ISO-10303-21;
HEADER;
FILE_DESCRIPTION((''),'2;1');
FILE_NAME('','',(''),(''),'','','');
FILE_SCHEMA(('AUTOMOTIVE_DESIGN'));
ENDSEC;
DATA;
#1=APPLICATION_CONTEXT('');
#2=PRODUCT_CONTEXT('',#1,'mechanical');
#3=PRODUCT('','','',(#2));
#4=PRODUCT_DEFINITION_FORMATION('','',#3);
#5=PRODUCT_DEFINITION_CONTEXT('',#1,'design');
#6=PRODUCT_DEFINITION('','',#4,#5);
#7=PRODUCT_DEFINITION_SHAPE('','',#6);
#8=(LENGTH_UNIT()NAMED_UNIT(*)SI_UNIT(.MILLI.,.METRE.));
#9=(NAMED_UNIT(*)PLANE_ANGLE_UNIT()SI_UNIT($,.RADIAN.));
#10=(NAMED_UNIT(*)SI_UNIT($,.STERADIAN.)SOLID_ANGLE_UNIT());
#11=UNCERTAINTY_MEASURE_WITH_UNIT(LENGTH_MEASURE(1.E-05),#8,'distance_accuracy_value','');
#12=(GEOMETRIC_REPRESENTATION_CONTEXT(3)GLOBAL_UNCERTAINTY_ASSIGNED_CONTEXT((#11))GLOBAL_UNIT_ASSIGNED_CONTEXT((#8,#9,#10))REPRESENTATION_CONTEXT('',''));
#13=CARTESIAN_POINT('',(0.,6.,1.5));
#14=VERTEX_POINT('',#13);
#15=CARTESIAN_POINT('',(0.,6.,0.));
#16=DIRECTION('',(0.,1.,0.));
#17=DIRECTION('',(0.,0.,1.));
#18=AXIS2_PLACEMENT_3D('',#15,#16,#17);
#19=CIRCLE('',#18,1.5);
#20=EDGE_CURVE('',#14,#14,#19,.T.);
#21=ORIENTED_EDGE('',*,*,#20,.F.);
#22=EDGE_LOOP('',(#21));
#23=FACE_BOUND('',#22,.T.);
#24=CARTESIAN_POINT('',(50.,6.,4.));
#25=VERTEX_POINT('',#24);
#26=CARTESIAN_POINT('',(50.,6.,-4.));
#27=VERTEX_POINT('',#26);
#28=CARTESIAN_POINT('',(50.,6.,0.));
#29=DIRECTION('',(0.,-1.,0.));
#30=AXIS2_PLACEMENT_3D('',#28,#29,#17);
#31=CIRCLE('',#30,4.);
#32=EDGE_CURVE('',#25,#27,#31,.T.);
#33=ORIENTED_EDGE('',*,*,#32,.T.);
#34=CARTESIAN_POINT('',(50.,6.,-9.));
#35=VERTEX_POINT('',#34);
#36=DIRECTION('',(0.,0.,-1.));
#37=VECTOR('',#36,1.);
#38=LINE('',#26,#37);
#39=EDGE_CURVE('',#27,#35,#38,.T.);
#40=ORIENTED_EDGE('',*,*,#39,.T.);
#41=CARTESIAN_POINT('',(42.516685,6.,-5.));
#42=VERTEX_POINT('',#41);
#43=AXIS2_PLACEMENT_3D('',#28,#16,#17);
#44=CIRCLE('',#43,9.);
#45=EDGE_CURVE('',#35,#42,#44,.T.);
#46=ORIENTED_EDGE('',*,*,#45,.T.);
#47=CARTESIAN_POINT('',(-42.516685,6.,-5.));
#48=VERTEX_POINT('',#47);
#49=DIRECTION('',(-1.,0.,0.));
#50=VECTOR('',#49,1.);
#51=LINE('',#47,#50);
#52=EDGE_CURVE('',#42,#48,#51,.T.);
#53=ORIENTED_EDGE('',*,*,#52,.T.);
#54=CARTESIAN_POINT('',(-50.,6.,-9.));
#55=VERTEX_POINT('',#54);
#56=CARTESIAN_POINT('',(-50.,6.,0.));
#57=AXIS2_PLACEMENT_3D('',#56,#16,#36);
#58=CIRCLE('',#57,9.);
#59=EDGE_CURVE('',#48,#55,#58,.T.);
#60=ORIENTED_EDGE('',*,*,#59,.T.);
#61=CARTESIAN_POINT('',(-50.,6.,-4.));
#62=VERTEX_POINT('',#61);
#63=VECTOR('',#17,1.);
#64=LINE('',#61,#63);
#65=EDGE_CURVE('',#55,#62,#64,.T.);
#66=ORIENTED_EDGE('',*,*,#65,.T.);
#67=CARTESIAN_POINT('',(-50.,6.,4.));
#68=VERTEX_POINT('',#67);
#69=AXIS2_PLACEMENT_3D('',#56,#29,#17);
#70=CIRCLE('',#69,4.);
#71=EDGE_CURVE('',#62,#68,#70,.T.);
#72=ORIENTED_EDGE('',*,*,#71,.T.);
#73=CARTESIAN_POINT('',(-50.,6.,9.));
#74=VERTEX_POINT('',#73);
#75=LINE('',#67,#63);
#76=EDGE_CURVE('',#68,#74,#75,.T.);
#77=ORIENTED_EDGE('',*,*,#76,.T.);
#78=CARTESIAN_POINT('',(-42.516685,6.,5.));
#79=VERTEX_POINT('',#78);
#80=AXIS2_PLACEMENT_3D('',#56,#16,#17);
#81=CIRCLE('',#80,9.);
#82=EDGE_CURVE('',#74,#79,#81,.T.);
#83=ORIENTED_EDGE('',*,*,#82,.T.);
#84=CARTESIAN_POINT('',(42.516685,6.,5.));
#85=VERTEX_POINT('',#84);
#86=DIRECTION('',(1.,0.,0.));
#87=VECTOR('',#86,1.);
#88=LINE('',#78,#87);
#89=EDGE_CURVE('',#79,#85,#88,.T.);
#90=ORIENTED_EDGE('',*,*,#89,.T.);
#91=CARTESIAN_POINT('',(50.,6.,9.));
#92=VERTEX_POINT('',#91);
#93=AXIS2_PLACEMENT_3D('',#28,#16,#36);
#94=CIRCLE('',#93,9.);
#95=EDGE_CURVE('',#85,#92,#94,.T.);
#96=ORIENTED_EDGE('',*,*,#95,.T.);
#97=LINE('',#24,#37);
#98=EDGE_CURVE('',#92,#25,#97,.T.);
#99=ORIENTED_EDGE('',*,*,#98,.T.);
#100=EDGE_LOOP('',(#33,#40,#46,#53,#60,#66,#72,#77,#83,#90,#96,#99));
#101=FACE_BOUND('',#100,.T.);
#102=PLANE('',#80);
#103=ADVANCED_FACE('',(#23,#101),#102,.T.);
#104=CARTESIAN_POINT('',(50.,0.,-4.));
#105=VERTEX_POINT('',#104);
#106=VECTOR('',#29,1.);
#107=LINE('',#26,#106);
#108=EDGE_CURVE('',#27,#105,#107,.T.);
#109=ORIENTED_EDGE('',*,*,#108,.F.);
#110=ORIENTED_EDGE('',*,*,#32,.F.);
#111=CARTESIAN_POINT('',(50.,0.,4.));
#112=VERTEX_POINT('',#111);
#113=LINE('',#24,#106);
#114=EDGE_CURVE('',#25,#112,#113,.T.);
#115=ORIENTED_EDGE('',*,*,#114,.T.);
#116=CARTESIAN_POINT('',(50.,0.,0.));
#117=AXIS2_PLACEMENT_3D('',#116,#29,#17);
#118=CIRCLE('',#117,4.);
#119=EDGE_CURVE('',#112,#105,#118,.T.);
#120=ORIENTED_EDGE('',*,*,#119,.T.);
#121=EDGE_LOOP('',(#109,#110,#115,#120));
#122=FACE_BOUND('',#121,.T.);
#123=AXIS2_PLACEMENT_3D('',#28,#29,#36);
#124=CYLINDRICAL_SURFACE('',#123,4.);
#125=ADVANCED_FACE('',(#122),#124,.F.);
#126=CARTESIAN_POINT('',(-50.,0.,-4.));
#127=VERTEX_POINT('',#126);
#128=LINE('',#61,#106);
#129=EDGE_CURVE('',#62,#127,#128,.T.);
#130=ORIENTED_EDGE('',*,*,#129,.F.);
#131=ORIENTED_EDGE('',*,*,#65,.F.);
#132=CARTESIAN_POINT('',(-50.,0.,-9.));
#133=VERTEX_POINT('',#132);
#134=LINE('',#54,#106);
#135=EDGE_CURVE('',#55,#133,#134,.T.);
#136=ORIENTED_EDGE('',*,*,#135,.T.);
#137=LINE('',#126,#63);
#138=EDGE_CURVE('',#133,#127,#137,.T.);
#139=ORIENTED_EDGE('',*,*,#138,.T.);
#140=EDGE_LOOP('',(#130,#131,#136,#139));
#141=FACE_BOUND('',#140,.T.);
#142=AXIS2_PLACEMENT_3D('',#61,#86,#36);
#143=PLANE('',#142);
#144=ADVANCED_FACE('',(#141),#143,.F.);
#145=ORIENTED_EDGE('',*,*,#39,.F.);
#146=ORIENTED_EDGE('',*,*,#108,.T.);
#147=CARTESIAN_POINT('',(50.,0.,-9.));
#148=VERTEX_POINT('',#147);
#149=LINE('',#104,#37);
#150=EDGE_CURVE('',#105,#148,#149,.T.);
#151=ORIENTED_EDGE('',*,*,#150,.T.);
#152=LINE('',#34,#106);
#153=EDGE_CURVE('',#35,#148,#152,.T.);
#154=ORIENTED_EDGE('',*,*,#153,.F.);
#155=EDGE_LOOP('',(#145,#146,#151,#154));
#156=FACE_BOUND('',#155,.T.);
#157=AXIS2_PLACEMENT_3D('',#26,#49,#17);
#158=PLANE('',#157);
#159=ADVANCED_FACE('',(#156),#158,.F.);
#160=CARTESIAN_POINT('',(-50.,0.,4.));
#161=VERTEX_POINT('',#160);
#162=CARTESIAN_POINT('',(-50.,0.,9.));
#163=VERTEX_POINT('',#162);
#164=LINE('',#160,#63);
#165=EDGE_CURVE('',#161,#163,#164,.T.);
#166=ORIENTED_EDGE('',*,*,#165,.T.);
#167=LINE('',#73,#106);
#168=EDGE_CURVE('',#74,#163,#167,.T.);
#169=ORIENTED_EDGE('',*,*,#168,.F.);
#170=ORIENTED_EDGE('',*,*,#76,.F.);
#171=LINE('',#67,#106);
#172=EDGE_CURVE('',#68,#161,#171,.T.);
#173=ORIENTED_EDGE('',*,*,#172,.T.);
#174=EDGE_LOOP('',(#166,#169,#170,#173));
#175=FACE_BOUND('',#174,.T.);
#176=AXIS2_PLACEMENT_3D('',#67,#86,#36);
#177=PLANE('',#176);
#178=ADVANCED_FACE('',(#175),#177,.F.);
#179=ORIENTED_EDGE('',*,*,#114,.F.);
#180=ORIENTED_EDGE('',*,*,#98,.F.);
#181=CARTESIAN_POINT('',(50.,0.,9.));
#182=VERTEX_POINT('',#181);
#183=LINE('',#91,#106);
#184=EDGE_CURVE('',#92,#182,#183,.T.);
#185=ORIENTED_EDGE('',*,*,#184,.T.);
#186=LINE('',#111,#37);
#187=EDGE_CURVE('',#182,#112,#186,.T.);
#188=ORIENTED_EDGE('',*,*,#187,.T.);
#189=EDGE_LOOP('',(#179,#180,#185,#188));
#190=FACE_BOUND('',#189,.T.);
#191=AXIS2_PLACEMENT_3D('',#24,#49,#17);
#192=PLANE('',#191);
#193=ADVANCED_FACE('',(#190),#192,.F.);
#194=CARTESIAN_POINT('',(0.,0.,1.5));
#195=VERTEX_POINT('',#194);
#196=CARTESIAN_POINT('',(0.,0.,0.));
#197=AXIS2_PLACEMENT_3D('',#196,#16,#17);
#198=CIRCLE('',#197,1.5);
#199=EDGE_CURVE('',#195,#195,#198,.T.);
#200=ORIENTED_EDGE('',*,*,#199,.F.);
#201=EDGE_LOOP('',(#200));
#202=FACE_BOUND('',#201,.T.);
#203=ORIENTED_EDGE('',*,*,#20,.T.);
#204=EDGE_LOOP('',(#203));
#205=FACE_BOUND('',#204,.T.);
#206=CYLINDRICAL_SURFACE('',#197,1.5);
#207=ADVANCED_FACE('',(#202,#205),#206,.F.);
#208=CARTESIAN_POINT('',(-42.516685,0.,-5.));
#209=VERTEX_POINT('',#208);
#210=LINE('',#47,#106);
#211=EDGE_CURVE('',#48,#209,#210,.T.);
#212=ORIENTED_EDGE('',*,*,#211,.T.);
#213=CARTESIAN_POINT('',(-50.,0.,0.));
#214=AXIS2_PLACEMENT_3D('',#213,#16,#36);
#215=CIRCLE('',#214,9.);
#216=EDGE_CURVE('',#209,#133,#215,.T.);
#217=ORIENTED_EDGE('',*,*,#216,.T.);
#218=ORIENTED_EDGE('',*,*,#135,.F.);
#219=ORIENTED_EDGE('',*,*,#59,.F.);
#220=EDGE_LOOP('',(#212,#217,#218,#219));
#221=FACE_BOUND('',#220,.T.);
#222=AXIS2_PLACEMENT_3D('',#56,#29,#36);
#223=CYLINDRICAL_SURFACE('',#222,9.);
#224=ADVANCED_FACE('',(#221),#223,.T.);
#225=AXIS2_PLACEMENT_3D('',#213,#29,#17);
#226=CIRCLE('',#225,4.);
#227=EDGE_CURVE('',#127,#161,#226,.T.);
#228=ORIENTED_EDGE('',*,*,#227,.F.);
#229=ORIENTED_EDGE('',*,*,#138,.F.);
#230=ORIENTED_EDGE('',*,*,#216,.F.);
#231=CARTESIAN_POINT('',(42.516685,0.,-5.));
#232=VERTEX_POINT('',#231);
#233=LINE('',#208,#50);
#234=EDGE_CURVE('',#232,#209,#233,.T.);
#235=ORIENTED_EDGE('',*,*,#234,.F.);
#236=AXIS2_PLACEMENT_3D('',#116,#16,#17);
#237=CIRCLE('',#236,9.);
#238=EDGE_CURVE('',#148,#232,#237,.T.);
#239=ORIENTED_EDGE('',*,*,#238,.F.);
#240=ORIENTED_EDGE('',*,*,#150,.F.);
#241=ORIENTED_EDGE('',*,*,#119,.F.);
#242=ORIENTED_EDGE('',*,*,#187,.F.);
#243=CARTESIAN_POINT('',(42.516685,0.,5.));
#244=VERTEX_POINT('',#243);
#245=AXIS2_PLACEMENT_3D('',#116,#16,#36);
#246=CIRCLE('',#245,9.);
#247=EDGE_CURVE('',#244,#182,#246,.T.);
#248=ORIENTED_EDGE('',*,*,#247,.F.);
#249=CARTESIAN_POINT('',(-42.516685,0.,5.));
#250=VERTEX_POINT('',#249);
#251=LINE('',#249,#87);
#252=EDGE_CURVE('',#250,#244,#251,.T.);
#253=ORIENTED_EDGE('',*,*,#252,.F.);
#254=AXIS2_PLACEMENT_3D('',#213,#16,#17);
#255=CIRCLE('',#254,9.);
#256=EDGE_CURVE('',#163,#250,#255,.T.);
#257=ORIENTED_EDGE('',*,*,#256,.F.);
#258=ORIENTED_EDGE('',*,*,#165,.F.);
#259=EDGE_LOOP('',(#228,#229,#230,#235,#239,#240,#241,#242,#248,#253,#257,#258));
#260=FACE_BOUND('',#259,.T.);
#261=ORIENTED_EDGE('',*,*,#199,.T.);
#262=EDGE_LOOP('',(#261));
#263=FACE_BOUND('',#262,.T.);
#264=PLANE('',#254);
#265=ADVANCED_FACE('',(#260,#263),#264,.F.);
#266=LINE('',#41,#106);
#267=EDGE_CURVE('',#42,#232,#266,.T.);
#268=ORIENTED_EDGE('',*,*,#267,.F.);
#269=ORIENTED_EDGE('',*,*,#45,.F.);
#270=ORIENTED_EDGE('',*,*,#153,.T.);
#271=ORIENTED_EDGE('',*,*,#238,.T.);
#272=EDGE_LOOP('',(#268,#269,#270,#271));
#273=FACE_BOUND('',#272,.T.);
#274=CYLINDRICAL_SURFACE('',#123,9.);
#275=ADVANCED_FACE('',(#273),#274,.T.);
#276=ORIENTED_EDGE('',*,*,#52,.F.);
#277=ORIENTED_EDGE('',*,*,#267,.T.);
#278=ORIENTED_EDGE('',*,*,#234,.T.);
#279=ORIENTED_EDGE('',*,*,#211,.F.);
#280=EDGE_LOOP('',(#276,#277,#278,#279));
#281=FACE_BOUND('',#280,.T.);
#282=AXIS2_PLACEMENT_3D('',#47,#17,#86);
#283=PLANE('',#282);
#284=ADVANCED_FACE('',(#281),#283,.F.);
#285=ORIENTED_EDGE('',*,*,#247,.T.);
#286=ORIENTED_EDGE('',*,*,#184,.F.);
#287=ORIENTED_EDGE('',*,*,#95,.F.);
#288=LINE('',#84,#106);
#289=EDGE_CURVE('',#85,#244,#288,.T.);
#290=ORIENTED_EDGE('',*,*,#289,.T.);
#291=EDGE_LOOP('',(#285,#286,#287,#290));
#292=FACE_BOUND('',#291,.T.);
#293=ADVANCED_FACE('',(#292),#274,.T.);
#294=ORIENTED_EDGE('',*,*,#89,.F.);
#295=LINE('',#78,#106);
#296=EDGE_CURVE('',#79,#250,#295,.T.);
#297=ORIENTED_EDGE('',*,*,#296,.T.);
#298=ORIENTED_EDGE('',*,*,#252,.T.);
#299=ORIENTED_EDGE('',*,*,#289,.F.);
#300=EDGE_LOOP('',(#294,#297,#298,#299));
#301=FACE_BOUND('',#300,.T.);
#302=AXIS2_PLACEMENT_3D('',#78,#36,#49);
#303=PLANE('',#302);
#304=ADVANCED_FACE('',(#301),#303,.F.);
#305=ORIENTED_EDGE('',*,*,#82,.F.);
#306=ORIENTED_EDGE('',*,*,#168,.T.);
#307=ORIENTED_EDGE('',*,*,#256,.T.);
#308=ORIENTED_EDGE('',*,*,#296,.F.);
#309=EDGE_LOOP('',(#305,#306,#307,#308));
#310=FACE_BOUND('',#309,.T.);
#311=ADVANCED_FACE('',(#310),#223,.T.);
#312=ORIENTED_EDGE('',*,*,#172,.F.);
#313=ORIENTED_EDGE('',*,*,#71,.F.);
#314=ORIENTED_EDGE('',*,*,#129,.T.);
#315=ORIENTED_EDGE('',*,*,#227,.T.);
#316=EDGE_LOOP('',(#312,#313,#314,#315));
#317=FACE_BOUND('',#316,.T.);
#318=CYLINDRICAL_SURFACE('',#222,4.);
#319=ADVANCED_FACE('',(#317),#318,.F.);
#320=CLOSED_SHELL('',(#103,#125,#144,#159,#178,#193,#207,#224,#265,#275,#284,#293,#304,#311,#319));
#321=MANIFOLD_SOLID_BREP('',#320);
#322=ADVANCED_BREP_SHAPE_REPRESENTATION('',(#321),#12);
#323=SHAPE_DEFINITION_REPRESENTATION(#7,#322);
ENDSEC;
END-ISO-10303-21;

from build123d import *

# Parameters (mm, degrees)
BOSS_EXTRUDE1_DEPTH = 6
SKETCH2_R           = 1.5
CUT_EXTRUDE1_DEPTH  = 52.15662225


with BuildPart() as part:
    # Sketch1 → Boss-Extrude1 (new body)
    with BuildSketch(Plane(origin=(0, 0, 0), x_dir=(1, 0, 0), z_dir=(0, 1, 0))):
        with BuildLine():
            Line((-50, 4), (-50, 9))
            ThreePointArc((-50, 9), (-45.757359313, 7.937253933), (-42.516685226, 5))
            Line((-42.516685226, 5), (42.516685226, 5))
            ThreePointArc((42.516685226, 5), (45.757359313, 7.937253933), (50, 9))
            Line((50, 9), (50, 4))
            ThreePointArc((50, 4), (46, 0), (50, -4))
            Line((50, -4), (50, -9))
            ThreePointArc((50, -9), (45.757359313, -7.937253933), (42.516685226, -5))
            Line((42.516685226, -5), (-42.516685226, -5))
            ThreePointArc((-42.516685226, -5), (-45.757359313, -7.937253933), (-50, -9))
            Line((-50, -9), (-50, -4))
            ThreePointArc((-50, -4), (-46, 0), (-50, 4))
        make_face()
    extrude(amount=BOSS_EXTRUDE1_DEPTH)

    # Sketch2 → Cut-Extrude1 (cut, through all)
    with BuildSketch(Plane(origin=(0, 6, 0), x_dir=(1, 0, 0), z_dir=(0, 1, 0))):
        with Locations(Location((0, 0, 0), (0, 0, 270))):
            Circle(SKETCH2_R)
    extrude(amount=-CUT_EXTRUDE1_DEPTH, mode=Mode.SUBTRACT)


solid = part.part
